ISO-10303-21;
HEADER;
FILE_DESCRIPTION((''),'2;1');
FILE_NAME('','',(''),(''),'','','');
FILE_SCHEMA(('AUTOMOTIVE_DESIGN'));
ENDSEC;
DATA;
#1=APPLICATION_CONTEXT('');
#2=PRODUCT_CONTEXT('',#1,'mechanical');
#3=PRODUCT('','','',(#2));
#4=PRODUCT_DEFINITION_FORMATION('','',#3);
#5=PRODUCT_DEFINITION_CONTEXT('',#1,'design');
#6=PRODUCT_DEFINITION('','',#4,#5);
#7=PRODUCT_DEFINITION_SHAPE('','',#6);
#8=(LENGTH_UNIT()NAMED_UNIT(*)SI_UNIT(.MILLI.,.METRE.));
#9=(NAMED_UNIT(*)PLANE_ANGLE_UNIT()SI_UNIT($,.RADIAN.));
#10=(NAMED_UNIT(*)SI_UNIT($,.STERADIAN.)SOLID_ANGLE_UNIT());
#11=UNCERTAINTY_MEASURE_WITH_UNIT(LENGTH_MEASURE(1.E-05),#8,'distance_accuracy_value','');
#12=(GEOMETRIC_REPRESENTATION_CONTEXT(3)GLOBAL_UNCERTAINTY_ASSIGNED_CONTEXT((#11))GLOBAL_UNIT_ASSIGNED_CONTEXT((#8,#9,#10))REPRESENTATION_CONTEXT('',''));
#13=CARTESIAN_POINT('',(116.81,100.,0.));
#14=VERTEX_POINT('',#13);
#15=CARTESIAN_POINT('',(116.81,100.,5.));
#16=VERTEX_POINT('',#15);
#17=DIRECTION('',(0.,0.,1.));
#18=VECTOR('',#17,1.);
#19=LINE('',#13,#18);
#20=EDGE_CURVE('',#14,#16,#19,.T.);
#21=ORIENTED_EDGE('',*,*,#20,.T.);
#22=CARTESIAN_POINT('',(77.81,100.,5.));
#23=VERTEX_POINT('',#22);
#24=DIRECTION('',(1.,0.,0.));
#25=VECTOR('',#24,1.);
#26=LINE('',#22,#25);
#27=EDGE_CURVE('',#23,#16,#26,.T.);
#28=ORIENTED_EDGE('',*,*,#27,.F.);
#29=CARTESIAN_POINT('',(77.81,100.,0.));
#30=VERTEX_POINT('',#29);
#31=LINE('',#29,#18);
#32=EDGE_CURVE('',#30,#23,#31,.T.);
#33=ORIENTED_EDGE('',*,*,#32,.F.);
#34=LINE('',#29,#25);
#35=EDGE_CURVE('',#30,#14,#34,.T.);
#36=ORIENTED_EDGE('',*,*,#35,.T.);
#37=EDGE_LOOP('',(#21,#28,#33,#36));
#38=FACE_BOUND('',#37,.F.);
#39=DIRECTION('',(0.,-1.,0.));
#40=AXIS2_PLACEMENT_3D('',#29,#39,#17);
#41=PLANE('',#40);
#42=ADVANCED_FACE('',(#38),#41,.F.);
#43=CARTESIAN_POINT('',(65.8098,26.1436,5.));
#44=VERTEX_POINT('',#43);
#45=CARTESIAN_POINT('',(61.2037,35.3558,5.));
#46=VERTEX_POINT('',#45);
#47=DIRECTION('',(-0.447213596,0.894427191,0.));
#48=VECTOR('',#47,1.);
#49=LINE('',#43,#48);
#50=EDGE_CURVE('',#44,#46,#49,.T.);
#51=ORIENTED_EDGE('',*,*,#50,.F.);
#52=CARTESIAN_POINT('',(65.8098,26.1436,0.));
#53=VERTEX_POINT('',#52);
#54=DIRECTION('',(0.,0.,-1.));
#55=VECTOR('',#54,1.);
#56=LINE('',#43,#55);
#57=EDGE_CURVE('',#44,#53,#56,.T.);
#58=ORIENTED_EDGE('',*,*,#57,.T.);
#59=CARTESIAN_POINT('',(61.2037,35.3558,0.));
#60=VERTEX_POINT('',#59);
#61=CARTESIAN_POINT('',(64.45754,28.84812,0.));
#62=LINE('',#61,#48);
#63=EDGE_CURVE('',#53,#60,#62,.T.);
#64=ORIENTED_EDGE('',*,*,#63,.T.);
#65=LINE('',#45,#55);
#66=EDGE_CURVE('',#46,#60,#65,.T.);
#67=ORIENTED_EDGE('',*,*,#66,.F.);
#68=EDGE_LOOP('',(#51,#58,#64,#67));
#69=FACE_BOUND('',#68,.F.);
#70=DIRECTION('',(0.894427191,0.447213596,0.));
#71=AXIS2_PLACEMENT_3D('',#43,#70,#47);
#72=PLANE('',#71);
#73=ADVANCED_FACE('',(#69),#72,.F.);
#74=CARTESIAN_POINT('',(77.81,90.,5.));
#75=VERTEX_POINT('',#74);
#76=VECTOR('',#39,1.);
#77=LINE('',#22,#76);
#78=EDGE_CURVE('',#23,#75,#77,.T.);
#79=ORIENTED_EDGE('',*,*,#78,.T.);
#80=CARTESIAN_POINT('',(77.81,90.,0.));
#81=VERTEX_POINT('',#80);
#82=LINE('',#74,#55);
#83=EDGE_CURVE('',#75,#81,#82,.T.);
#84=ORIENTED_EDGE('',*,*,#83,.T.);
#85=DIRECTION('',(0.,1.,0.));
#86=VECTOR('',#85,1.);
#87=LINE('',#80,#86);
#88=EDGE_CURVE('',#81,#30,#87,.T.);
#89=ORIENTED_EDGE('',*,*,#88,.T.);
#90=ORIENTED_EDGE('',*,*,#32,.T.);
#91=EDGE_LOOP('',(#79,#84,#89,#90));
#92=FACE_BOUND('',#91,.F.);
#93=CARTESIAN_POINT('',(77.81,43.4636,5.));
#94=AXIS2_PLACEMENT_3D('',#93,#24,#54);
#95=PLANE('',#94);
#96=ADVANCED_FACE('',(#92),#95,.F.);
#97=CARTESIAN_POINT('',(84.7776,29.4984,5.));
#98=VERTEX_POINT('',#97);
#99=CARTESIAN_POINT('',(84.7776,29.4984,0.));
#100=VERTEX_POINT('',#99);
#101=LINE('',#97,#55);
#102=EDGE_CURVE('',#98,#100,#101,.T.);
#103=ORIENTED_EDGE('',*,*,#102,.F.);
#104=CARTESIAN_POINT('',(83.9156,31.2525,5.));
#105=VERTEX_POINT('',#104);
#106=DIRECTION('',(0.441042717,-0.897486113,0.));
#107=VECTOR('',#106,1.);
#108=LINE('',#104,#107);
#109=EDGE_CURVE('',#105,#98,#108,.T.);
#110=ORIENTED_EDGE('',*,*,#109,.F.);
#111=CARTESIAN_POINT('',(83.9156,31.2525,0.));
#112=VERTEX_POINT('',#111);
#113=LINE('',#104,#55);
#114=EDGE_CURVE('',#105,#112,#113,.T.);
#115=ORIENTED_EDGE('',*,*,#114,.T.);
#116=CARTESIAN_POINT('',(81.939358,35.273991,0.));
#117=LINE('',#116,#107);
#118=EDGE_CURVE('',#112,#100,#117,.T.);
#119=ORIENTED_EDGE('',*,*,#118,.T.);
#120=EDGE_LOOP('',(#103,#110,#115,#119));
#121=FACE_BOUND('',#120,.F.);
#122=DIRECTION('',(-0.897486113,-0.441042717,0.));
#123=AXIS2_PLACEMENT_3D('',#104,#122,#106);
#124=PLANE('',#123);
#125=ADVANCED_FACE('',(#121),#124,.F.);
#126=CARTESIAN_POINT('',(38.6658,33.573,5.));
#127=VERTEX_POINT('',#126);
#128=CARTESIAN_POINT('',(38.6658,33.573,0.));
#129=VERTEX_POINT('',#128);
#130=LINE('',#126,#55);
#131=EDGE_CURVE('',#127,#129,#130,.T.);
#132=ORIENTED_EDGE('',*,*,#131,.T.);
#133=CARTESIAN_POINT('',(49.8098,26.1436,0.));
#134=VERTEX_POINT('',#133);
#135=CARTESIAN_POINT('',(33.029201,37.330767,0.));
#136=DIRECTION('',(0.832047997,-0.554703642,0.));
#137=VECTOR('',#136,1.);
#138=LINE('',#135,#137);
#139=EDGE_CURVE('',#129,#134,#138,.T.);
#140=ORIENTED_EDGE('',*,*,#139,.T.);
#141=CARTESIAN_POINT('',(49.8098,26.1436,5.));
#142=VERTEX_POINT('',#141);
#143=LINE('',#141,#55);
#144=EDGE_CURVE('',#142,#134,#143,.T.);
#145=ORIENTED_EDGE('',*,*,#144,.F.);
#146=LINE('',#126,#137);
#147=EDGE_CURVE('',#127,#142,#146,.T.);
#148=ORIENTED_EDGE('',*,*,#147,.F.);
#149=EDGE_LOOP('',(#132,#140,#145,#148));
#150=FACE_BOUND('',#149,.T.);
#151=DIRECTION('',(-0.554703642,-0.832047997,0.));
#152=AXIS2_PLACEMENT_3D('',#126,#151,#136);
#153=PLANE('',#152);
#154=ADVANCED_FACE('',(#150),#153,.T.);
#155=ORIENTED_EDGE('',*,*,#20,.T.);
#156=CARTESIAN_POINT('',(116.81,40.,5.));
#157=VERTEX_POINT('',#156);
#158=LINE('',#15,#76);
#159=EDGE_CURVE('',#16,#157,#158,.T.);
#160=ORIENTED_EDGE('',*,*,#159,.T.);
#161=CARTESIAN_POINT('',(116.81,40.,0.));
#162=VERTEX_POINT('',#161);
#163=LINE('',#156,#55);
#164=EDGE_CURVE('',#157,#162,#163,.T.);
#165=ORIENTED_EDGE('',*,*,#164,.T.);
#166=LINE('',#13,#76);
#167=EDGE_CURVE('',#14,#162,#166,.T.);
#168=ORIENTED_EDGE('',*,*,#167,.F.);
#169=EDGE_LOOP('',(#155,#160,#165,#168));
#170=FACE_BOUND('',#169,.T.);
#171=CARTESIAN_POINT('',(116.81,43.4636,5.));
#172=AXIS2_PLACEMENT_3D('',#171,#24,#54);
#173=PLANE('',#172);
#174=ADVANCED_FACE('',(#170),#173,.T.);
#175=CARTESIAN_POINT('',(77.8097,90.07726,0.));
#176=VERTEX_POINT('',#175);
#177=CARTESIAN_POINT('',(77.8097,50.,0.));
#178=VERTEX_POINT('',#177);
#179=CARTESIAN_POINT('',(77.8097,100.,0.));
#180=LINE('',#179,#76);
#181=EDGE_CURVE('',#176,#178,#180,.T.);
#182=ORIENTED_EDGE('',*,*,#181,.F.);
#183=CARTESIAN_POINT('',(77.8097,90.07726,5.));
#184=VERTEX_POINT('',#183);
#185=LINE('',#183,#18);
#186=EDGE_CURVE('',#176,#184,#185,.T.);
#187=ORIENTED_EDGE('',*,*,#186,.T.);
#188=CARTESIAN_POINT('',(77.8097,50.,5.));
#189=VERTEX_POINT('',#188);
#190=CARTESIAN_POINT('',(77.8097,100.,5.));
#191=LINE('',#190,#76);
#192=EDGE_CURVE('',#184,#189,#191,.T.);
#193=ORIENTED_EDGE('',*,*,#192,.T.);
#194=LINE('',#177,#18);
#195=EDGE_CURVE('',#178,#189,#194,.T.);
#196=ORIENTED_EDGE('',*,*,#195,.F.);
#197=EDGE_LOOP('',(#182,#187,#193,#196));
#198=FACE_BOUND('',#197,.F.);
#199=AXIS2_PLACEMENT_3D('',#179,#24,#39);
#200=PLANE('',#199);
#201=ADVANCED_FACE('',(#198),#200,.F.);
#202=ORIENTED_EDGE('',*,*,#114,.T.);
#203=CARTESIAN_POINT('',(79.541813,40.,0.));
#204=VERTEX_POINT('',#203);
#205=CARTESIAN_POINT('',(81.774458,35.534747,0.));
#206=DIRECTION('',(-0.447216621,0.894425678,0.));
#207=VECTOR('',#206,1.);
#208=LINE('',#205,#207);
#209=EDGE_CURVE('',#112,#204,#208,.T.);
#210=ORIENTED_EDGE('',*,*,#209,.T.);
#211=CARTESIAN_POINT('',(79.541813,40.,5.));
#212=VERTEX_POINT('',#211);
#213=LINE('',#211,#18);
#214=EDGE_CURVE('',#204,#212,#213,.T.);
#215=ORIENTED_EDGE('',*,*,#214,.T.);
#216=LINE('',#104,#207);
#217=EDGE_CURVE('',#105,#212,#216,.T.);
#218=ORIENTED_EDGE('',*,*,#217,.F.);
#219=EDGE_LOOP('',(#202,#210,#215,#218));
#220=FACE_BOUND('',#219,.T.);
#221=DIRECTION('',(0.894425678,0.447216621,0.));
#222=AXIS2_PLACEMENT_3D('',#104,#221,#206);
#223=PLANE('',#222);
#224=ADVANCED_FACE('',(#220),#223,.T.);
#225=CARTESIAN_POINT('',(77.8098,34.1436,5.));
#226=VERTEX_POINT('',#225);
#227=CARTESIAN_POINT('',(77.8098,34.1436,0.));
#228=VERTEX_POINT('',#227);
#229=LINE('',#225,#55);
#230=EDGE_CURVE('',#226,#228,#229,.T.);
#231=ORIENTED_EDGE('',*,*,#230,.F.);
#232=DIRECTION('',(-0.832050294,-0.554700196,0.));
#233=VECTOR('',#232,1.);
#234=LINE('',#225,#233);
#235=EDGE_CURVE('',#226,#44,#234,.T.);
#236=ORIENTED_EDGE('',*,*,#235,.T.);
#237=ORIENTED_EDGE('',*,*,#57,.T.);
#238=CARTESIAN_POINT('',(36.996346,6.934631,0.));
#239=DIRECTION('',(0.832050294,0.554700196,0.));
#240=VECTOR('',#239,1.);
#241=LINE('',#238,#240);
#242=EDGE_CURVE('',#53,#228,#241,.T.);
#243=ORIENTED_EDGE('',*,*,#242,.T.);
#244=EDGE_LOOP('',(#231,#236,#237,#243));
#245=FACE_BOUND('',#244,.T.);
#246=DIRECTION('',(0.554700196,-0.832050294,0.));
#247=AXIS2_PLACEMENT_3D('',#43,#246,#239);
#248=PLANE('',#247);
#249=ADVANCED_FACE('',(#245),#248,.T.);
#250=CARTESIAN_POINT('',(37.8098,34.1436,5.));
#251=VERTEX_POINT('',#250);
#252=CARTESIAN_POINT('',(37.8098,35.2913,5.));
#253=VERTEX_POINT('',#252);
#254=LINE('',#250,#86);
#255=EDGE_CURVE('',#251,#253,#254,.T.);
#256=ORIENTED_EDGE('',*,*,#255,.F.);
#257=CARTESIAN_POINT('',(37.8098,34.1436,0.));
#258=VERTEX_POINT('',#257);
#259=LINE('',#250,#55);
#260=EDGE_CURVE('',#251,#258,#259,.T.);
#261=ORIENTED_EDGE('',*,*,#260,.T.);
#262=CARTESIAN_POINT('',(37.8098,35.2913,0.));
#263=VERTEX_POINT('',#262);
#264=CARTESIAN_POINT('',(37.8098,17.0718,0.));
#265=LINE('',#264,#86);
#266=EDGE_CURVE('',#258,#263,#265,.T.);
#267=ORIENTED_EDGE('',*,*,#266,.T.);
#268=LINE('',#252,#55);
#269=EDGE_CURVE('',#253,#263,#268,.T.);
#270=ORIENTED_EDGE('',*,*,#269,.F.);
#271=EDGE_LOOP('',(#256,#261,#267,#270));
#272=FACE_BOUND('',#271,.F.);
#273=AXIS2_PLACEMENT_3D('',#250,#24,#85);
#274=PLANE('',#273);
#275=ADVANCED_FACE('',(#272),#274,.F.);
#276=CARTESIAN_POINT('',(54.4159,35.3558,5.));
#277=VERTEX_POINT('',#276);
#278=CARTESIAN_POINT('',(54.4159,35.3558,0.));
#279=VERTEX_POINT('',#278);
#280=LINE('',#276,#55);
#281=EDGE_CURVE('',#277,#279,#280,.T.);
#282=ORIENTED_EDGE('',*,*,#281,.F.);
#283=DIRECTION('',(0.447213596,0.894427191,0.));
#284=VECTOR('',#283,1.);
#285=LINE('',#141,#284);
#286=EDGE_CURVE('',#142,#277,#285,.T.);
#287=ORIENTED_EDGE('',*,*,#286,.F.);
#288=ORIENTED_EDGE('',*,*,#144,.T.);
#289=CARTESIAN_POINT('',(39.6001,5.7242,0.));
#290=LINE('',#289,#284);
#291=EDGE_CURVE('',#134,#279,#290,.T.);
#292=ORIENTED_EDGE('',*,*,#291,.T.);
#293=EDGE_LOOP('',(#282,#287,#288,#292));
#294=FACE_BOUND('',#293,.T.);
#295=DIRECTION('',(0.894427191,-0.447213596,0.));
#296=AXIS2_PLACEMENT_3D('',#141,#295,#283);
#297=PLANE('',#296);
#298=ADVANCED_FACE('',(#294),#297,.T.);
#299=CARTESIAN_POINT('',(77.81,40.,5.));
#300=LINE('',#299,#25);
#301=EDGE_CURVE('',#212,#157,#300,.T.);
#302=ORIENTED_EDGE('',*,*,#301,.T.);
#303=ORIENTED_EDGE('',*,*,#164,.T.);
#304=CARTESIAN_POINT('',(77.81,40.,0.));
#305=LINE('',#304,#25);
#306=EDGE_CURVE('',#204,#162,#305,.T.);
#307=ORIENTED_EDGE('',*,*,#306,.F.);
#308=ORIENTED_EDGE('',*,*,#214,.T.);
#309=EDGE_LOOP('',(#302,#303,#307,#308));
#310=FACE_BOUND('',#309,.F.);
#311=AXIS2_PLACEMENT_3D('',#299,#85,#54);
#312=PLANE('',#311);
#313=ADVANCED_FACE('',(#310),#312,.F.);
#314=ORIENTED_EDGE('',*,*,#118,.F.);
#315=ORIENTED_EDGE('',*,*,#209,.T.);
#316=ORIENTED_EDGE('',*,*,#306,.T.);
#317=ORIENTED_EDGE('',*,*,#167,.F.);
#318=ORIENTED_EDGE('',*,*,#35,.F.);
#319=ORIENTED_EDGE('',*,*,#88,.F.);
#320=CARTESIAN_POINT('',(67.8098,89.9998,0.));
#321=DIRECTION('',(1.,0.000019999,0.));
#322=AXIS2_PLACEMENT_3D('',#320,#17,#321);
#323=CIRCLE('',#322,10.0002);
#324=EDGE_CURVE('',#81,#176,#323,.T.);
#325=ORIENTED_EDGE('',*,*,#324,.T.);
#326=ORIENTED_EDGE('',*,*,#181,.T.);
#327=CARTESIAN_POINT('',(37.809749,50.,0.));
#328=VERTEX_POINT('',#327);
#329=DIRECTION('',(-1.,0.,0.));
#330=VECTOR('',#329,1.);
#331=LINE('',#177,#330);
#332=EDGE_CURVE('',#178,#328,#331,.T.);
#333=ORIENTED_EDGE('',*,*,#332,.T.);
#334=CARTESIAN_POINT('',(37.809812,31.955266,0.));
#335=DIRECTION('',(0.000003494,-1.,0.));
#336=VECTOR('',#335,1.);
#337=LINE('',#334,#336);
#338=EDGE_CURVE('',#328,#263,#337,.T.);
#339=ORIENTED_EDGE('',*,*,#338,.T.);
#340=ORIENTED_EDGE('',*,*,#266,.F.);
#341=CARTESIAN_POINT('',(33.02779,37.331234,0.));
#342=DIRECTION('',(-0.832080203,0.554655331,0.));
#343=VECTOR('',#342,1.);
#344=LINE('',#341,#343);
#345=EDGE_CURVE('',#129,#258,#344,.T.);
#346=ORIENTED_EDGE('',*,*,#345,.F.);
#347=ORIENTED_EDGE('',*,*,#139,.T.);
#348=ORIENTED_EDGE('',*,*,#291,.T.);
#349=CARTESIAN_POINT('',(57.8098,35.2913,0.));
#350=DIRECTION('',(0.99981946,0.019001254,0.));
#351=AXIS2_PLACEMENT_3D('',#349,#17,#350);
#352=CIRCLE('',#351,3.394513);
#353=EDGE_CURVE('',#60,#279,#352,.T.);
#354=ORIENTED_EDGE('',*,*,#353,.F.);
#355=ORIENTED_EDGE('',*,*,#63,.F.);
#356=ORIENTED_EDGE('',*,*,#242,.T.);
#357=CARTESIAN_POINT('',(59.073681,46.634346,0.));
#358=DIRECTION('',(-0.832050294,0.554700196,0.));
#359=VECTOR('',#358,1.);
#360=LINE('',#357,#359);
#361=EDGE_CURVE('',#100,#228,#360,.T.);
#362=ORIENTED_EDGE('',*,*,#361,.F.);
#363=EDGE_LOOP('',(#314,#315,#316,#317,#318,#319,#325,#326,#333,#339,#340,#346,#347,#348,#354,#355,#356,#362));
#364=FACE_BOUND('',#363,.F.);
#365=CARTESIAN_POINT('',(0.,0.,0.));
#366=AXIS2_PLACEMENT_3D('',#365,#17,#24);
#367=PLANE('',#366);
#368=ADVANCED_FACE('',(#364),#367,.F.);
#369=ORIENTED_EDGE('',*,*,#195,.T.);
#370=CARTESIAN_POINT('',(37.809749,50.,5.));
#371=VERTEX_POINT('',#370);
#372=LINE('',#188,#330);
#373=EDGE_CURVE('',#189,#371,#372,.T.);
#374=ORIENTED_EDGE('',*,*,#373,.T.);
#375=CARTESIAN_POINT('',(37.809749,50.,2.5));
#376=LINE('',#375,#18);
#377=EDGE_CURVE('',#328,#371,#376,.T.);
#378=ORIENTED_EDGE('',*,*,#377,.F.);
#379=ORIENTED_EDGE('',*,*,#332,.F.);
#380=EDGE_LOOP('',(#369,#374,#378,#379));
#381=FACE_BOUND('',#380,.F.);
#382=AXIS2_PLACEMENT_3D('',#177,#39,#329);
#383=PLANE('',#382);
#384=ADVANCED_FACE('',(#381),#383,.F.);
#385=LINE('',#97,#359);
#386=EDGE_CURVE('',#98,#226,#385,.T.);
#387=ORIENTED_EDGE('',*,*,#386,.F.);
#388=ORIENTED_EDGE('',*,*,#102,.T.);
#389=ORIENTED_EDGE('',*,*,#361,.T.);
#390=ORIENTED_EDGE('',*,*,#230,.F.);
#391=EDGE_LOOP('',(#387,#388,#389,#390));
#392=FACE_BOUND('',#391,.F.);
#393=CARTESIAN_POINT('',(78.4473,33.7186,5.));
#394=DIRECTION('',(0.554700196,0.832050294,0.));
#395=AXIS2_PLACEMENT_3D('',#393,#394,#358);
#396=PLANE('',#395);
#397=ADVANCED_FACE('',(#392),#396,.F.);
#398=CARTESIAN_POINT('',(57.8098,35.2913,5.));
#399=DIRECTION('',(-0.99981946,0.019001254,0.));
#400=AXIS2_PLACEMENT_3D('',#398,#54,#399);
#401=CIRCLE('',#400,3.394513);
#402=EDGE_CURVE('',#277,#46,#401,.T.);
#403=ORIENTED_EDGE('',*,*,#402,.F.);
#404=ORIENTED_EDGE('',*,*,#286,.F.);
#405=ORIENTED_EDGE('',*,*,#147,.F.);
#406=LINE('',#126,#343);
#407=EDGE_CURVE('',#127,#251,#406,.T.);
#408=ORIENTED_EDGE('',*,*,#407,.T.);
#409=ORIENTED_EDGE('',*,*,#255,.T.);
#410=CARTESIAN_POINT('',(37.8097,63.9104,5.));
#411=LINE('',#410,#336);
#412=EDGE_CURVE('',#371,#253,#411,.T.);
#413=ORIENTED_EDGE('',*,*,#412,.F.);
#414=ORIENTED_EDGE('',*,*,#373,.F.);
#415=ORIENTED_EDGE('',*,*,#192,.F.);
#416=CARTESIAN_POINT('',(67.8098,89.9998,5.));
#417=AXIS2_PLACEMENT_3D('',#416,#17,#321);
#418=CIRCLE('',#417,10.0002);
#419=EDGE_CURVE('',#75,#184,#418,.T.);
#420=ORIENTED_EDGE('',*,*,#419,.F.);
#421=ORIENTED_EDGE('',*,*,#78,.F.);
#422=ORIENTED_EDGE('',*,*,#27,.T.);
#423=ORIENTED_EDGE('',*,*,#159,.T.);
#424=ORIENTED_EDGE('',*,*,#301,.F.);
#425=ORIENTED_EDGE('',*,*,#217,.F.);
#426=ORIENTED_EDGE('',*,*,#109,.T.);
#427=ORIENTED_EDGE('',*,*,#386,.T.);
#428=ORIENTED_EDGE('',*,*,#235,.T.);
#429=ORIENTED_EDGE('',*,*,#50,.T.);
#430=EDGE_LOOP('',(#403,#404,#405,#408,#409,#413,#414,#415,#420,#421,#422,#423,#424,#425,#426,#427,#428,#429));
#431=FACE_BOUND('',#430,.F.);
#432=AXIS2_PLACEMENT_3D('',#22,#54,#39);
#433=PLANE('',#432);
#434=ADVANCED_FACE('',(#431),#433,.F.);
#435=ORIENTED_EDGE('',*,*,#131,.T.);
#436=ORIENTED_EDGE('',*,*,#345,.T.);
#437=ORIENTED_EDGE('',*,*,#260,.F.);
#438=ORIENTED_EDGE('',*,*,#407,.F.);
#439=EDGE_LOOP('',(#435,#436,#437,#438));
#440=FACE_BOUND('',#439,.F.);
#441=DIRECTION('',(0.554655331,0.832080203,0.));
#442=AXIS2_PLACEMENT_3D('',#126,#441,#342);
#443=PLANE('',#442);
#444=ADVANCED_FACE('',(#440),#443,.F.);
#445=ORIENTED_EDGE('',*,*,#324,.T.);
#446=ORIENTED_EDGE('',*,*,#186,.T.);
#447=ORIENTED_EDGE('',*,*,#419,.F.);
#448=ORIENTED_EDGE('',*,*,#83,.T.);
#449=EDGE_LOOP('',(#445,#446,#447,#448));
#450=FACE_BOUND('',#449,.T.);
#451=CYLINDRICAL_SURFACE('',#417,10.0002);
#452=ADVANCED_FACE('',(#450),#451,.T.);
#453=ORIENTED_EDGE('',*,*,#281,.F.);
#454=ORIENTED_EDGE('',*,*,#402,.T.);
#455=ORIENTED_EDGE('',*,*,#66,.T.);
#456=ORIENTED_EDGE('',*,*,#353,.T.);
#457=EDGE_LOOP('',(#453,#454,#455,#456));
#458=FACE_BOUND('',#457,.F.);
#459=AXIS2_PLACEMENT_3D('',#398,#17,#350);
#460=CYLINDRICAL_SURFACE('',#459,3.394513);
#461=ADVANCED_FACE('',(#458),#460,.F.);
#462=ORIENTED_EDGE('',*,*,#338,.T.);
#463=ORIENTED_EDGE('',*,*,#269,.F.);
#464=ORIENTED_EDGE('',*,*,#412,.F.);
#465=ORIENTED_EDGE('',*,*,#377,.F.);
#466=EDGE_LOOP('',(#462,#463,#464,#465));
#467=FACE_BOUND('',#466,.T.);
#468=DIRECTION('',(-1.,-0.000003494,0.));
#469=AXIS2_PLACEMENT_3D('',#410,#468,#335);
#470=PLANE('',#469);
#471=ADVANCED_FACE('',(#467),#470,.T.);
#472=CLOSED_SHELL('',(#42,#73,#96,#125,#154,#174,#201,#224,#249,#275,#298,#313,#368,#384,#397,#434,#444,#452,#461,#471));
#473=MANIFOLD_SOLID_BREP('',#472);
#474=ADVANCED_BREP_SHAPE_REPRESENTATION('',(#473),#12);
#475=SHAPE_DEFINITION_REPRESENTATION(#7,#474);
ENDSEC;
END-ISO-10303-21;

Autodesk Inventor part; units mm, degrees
ref_plane "YZ Plane" through (0, 0, 0) normal (1, 0, 0) x (0, 1, 0)
ref_plane "XZ Plane" through (0, 0, 0) normal (0, 1, 0) x (-1, 0, 0)
ref_plane "XY Plane" through (0, 0, 0) normal (0, 0, 1) x (1, 0, 0)
sketch "Sketch2" plane through (0, 0, 0) normal (0, 0, 1) x (1, 0, 0)
  line L0 (0, 0) -> (100, 0)
  line L1 (100, 0) -> (100, 100)
  line L2 (100, 100) -> (0, 100)
  line L3 (0, 100) -> (0, 0)
  dimension "d24" = 100
  dimension "d25" = 100
extrude "Extrusion3" add sketch "Sketch2" along normal blind 5
sketch "Sketch3" plane through (0, 0, 5) normal (0, 0, 1) x (1, 0, 0)
  line L0 (100, 100) -> (0, 100) projected
  line L1 (61.1065, 16.5645) -> (65.8098, 9.5096)
  ellipse E0 centre (57.8098, 14.5814) end of major axis (53.8097, 14.5816) minor radius 3.4641
  line L2 (49.8098, 9.5096) -> (54.5131, 16.5645)
  line L3 (65.8098, 9.5096) -> (77.2764, 15.2429)
  line L4 (83.9156, 31.2525) -> (78.0026, 43.0784)
  line L5 (49.8098, 26.1436) -> (54.4159, 35.3558)
  line L6 (58.3112, 37.4887) -> (58.6416, 37.4249)
  line L7 (56.9769, 37.4324) -> (57.4131, 37.502)
  line L8 (38.6658, 33.573) -> (49.8098, 26.1436)
  ellipse E1 centre (30.5481, 100.1015) end of major axis (25.0287, 91.7624) minor radius 10.0002
  line L9 (78.4473, 33.7186) -> (83.2584, 30.5112)
  line L10 (83.2584, 30.5112) -> (84.5136, 29.6744)
  line L11 (83.9156, 31.2525) -> (84.7776, 29.4984)
  line L12 (83.9156, 31.2525) -> (85.87, 31.2525) construction
  line L13 (84.7776, 29.4984) -> (84.5136, 29.6744)
  line L14 (78.4473, 33.7186) -> (77.8098, 34.1436)
  line L15 (78.4473, 33.7186) -> (79.931, 33.7186) construction
  line L16 (77.2128, 33.7456) -> (77.8098, 34.1436)
  line L17 (77.2128, 33.7456) -> (77.9303, 33.7456) construction
  line L18 (57.8098, 14.5814) -> (57.8098, 100)
  arc A0 (47.8099, 100) -> (37.8097, 90) centre (47.8099, 89.9998) ccw
  line L19 (47.8099, 89.9998) -> (57.8098, 89.9998)
  line L20 (57.8098, 89.9998) -> (67.8098, 89.9998)
  line L21 (57.8098, 89.9998) -> (67.8098, 89.9998) construction
  arc A1 (77.81, 90) -> (67.8098, 100) centre (67.8098, 89.9998) ccw
  line L22 (47.8099, 100) -> (67.8098, 100)
  line L23 (78.0026, 43.0784) -> (77.81, 43.4636)
  line L24 (78.0026, 43.0784) -> (78.4334, 43.0784) construction
  line L25 (77.81, 43.4636) -> (77.81, 43.8508)
  line L26 (65.8098, 26.1436) -> (61.2037, 35.3558)
  line L27 (37.8097, 63.9104) -> (37.8098, 35.2913)
  line L28 (38.6658, 33.573) -> (37.8098, 34.1436)
  line L29 (38.6658, 33.573) -> (39.6945, 33.573) construction
  line L30 (37.8098, 34.1436) -> (37.8098, 35.2913)
  line L31 (37.8097, 63.9104) -> (37.8097, 90)
  arc A2 (61.2037, 35.3558) -> (54.4159, 35.3558) centre (57.8098, 35.2913) ccw
  line L32 (65.8098, 26.1436) -> (77.2128, 33.7456)
  line L33 (77.81, 43.8508) -> (77.81, 90)
  line L34 (100, 0) -> (100, 100) projected
  line L35 (0, 100) -> (100, 100)
  line L36 (100, 100) -> (100, 0)
  line L37 (100, 0) -> (0, 0)
  line L38 (0, 0) -> (0, 100)
  point P0 (78.3106, 15.3544)
  point P1 (77.7245, 15.3467)
  point P2 (77.3127, 15.2462)
  point P3 (60.1591, 36.6399)
  point P4 (55.4604, 36.6398)
  point P5 (91.0098, 173.4299)
  dimension "d31" = 296.17
  dimension "d32" = 213.69
  dimension "d33" = 326.31
  dimension "d34" = 10
  dimension "d35" = 0
  dimension "d36" = 243.43
  dimension "d37" = 213.69
extrude "Extrusion4" cut sketch "Sketch3" against normal blind 10 contours E0 | L34 L37 L38 L0 E1 A0 L31 L27 L30 L28 L8 L5 A2 L26 L32 L16 L14 L9 L10 L13 L11 L4 L23 L25 L33 A1 | A0 E1 L0 | E1 L0 picked at (31.1987, 94.7741)
ref_plane "Work Plane2" through (49.8098, 26.1436, 5) normal (0, -0.433, -0.9014) x (-1, 0, 0)
ref_plane "Work Plane1" through (100, 100, 0) normal (0, -0.433, -0.9014) x (-1, 0, 0)
sketch "Sketch4" plane through (49.8098, 26.1436, 5) normal (0, -0.433, -0.9014) x (-1, 0, 0)
  line L0 (-27.403, 9.0174) -> (-16, 2.1651) projected
  line L1 (-16, 2.1651) -> (-27.403, 9.0174)
  point P0 (49.8098, -21.4002)
sketch "Sketch5" plane through (77.81, 43.4636, 5) normal (1, 0, 0) x (0, 0, -1)
  line L0 (5, 46.5364) -> (5, 56.5364) projected
  line L1 (5, 56.5364) -> (0, 56.5364)
  line L2 (0, 56.5364) -> (0, -3.4636)
  line L3 (0, -3.4636) -> (5, -3.4636)
  line L4 (5, -3.4636) -> (5, 56.5364)
  point P0 (5, -43.4636)
  dimension "d41" = 5
  dimension "d42" = 60
extrude "Extrusion5" add sketch "Sketch5" along normal blind 39
sketch "Sketch6" plane through (0, 0, 0) normal (0, 0, -1) x (-1, 0, 0)
  line L0 (-37.8097, 100) -> (-77.8097, 100)
  line L1 (-77.8097, 100) -> (-77.8097, 50)
  line L2 (-77.8097, 50) -> (-37.8097, 50)
  line L3 (-37.8097, 50) -> (-37.8097, 100)
  point P0 (0, 0)
  dimension "d45" = 40
  dimension "d46" = 50
extrude "Extrusion6" cut sketch "Sketch6" against normal blind 5
properties part number "Arm_Base"
